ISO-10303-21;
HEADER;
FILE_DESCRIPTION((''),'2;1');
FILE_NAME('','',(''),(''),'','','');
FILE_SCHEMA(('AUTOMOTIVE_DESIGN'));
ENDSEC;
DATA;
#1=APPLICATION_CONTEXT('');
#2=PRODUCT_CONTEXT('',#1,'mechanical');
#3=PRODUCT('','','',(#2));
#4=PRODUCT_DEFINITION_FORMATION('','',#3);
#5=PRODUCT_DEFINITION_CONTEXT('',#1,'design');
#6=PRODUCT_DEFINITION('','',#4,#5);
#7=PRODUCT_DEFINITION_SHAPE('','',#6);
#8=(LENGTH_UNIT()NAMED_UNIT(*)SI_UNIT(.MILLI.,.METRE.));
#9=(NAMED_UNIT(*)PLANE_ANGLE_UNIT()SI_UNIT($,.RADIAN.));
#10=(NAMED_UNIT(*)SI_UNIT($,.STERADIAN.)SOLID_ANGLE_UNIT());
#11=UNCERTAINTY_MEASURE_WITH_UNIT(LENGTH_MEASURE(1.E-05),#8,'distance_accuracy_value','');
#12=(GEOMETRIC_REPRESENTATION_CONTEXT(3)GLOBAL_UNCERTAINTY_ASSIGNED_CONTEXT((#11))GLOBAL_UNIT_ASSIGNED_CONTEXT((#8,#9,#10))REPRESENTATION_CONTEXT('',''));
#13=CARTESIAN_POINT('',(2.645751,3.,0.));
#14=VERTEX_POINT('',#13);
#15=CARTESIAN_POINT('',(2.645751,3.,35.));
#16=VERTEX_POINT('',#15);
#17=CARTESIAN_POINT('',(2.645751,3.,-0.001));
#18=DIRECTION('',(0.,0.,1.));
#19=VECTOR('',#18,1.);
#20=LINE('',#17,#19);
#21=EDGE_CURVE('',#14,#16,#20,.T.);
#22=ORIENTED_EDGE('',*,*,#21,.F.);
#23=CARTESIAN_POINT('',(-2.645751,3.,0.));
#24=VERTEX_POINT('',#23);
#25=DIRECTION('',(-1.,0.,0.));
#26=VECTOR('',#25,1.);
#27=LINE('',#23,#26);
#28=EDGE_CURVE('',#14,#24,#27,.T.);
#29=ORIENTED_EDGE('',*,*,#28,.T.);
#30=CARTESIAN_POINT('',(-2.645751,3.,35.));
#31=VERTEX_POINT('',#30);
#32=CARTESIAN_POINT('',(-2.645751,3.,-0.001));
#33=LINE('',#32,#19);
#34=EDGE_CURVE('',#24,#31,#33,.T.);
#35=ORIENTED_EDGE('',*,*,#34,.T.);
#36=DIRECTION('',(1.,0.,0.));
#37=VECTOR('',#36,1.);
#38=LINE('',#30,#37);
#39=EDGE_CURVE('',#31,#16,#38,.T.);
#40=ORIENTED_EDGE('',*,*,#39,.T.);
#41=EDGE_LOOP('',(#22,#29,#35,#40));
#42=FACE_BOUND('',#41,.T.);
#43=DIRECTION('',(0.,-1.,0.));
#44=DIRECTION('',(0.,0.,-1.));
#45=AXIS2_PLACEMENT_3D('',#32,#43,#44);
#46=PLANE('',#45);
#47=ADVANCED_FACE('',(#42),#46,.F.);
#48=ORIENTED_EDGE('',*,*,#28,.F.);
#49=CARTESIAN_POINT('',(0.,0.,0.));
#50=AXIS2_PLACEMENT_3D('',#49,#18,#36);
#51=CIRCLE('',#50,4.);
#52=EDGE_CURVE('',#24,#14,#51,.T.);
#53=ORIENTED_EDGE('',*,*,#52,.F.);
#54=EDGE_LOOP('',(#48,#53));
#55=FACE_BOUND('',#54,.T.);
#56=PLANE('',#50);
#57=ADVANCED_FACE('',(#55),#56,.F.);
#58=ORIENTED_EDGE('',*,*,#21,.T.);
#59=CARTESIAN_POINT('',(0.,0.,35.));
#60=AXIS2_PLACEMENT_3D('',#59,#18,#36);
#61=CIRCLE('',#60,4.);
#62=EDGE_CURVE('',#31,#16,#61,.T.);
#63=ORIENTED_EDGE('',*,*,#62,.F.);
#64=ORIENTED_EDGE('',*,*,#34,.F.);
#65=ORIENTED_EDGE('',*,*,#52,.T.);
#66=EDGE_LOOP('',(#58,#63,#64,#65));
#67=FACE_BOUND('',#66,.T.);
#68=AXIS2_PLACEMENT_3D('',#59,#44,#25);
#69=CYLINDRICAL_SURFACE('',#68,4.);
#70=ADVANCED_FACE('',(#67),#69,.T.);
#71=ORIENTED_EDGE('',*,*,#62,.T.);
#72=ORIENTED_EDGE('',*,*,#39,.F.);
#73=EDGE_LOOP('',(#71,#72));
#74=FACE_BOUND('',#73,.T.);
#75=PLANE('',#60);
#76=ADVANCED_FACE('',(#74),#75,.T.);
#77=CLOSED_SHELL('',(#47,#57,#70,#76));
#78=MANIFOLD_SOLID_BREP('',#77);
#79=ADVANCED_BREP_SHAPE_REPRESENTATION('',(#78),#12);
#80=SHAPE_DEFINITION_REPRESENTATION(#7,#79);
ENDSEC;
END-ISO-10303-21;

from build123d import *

# Parameters (mm, degrees)
SKETCH2_R                      = 4
BOSS_EXTRUDE1_DEPTH            = 35
CUT_EXTRUDE1_REACH             = 37
CUT_EXTRUDE1_DIRECTION_2_DEPTH = 1


with BuildPart() as part:
    # Sketch2 → Boss-Extrude1 (new body)
    with BuildSketch(Plane.XY):
        Circle(SKETCH2_R)
    extrude(amount=BOSS_EXTRUDE1_DEPTH)

    # Sketch3 → Cut-Extrude1 (cut, up to next)
    with BuildSketch(Plane.XY.offset(35), mode=Mode.PRIVATE) as cut_extrude1_sk1:
        with BuildLine():
            Line((-2.645751311, 3), (2.645751311, 3))
            ThreePointArc((2.645751311, 3), (0, 4), (-2.645751311, 3))
        make_face()
    cut_extrude1_tool1 = extrude(cut_extrude1_sk1.sketch, amount=-CUT_EXTRUDE1_REACH, mode=Mode.PRIVATE) & part.part
    add(cut_extrude1_tool1.solids().sort_by_distance((0, 3.404621, 35))[0], mode=Mode.SUBTRACT)

    # Sketch3 → Cut-Extrude1 direction 2 (cut)
    with BuildSketch(Plane.XY.offset(35)):
        with BuildLine():
            Line((-2.645751311, 3), (2.645751311, 3))
            ThreePointArc((2.645751311, 3), (0, 4), (-2.645751311, 3))
        make_face()
    extrude(amount=CUT_EXTRUDE1_DIRECTION_2_DEPTH, mode=Mode.SUBTRACT)


solid = part.part
